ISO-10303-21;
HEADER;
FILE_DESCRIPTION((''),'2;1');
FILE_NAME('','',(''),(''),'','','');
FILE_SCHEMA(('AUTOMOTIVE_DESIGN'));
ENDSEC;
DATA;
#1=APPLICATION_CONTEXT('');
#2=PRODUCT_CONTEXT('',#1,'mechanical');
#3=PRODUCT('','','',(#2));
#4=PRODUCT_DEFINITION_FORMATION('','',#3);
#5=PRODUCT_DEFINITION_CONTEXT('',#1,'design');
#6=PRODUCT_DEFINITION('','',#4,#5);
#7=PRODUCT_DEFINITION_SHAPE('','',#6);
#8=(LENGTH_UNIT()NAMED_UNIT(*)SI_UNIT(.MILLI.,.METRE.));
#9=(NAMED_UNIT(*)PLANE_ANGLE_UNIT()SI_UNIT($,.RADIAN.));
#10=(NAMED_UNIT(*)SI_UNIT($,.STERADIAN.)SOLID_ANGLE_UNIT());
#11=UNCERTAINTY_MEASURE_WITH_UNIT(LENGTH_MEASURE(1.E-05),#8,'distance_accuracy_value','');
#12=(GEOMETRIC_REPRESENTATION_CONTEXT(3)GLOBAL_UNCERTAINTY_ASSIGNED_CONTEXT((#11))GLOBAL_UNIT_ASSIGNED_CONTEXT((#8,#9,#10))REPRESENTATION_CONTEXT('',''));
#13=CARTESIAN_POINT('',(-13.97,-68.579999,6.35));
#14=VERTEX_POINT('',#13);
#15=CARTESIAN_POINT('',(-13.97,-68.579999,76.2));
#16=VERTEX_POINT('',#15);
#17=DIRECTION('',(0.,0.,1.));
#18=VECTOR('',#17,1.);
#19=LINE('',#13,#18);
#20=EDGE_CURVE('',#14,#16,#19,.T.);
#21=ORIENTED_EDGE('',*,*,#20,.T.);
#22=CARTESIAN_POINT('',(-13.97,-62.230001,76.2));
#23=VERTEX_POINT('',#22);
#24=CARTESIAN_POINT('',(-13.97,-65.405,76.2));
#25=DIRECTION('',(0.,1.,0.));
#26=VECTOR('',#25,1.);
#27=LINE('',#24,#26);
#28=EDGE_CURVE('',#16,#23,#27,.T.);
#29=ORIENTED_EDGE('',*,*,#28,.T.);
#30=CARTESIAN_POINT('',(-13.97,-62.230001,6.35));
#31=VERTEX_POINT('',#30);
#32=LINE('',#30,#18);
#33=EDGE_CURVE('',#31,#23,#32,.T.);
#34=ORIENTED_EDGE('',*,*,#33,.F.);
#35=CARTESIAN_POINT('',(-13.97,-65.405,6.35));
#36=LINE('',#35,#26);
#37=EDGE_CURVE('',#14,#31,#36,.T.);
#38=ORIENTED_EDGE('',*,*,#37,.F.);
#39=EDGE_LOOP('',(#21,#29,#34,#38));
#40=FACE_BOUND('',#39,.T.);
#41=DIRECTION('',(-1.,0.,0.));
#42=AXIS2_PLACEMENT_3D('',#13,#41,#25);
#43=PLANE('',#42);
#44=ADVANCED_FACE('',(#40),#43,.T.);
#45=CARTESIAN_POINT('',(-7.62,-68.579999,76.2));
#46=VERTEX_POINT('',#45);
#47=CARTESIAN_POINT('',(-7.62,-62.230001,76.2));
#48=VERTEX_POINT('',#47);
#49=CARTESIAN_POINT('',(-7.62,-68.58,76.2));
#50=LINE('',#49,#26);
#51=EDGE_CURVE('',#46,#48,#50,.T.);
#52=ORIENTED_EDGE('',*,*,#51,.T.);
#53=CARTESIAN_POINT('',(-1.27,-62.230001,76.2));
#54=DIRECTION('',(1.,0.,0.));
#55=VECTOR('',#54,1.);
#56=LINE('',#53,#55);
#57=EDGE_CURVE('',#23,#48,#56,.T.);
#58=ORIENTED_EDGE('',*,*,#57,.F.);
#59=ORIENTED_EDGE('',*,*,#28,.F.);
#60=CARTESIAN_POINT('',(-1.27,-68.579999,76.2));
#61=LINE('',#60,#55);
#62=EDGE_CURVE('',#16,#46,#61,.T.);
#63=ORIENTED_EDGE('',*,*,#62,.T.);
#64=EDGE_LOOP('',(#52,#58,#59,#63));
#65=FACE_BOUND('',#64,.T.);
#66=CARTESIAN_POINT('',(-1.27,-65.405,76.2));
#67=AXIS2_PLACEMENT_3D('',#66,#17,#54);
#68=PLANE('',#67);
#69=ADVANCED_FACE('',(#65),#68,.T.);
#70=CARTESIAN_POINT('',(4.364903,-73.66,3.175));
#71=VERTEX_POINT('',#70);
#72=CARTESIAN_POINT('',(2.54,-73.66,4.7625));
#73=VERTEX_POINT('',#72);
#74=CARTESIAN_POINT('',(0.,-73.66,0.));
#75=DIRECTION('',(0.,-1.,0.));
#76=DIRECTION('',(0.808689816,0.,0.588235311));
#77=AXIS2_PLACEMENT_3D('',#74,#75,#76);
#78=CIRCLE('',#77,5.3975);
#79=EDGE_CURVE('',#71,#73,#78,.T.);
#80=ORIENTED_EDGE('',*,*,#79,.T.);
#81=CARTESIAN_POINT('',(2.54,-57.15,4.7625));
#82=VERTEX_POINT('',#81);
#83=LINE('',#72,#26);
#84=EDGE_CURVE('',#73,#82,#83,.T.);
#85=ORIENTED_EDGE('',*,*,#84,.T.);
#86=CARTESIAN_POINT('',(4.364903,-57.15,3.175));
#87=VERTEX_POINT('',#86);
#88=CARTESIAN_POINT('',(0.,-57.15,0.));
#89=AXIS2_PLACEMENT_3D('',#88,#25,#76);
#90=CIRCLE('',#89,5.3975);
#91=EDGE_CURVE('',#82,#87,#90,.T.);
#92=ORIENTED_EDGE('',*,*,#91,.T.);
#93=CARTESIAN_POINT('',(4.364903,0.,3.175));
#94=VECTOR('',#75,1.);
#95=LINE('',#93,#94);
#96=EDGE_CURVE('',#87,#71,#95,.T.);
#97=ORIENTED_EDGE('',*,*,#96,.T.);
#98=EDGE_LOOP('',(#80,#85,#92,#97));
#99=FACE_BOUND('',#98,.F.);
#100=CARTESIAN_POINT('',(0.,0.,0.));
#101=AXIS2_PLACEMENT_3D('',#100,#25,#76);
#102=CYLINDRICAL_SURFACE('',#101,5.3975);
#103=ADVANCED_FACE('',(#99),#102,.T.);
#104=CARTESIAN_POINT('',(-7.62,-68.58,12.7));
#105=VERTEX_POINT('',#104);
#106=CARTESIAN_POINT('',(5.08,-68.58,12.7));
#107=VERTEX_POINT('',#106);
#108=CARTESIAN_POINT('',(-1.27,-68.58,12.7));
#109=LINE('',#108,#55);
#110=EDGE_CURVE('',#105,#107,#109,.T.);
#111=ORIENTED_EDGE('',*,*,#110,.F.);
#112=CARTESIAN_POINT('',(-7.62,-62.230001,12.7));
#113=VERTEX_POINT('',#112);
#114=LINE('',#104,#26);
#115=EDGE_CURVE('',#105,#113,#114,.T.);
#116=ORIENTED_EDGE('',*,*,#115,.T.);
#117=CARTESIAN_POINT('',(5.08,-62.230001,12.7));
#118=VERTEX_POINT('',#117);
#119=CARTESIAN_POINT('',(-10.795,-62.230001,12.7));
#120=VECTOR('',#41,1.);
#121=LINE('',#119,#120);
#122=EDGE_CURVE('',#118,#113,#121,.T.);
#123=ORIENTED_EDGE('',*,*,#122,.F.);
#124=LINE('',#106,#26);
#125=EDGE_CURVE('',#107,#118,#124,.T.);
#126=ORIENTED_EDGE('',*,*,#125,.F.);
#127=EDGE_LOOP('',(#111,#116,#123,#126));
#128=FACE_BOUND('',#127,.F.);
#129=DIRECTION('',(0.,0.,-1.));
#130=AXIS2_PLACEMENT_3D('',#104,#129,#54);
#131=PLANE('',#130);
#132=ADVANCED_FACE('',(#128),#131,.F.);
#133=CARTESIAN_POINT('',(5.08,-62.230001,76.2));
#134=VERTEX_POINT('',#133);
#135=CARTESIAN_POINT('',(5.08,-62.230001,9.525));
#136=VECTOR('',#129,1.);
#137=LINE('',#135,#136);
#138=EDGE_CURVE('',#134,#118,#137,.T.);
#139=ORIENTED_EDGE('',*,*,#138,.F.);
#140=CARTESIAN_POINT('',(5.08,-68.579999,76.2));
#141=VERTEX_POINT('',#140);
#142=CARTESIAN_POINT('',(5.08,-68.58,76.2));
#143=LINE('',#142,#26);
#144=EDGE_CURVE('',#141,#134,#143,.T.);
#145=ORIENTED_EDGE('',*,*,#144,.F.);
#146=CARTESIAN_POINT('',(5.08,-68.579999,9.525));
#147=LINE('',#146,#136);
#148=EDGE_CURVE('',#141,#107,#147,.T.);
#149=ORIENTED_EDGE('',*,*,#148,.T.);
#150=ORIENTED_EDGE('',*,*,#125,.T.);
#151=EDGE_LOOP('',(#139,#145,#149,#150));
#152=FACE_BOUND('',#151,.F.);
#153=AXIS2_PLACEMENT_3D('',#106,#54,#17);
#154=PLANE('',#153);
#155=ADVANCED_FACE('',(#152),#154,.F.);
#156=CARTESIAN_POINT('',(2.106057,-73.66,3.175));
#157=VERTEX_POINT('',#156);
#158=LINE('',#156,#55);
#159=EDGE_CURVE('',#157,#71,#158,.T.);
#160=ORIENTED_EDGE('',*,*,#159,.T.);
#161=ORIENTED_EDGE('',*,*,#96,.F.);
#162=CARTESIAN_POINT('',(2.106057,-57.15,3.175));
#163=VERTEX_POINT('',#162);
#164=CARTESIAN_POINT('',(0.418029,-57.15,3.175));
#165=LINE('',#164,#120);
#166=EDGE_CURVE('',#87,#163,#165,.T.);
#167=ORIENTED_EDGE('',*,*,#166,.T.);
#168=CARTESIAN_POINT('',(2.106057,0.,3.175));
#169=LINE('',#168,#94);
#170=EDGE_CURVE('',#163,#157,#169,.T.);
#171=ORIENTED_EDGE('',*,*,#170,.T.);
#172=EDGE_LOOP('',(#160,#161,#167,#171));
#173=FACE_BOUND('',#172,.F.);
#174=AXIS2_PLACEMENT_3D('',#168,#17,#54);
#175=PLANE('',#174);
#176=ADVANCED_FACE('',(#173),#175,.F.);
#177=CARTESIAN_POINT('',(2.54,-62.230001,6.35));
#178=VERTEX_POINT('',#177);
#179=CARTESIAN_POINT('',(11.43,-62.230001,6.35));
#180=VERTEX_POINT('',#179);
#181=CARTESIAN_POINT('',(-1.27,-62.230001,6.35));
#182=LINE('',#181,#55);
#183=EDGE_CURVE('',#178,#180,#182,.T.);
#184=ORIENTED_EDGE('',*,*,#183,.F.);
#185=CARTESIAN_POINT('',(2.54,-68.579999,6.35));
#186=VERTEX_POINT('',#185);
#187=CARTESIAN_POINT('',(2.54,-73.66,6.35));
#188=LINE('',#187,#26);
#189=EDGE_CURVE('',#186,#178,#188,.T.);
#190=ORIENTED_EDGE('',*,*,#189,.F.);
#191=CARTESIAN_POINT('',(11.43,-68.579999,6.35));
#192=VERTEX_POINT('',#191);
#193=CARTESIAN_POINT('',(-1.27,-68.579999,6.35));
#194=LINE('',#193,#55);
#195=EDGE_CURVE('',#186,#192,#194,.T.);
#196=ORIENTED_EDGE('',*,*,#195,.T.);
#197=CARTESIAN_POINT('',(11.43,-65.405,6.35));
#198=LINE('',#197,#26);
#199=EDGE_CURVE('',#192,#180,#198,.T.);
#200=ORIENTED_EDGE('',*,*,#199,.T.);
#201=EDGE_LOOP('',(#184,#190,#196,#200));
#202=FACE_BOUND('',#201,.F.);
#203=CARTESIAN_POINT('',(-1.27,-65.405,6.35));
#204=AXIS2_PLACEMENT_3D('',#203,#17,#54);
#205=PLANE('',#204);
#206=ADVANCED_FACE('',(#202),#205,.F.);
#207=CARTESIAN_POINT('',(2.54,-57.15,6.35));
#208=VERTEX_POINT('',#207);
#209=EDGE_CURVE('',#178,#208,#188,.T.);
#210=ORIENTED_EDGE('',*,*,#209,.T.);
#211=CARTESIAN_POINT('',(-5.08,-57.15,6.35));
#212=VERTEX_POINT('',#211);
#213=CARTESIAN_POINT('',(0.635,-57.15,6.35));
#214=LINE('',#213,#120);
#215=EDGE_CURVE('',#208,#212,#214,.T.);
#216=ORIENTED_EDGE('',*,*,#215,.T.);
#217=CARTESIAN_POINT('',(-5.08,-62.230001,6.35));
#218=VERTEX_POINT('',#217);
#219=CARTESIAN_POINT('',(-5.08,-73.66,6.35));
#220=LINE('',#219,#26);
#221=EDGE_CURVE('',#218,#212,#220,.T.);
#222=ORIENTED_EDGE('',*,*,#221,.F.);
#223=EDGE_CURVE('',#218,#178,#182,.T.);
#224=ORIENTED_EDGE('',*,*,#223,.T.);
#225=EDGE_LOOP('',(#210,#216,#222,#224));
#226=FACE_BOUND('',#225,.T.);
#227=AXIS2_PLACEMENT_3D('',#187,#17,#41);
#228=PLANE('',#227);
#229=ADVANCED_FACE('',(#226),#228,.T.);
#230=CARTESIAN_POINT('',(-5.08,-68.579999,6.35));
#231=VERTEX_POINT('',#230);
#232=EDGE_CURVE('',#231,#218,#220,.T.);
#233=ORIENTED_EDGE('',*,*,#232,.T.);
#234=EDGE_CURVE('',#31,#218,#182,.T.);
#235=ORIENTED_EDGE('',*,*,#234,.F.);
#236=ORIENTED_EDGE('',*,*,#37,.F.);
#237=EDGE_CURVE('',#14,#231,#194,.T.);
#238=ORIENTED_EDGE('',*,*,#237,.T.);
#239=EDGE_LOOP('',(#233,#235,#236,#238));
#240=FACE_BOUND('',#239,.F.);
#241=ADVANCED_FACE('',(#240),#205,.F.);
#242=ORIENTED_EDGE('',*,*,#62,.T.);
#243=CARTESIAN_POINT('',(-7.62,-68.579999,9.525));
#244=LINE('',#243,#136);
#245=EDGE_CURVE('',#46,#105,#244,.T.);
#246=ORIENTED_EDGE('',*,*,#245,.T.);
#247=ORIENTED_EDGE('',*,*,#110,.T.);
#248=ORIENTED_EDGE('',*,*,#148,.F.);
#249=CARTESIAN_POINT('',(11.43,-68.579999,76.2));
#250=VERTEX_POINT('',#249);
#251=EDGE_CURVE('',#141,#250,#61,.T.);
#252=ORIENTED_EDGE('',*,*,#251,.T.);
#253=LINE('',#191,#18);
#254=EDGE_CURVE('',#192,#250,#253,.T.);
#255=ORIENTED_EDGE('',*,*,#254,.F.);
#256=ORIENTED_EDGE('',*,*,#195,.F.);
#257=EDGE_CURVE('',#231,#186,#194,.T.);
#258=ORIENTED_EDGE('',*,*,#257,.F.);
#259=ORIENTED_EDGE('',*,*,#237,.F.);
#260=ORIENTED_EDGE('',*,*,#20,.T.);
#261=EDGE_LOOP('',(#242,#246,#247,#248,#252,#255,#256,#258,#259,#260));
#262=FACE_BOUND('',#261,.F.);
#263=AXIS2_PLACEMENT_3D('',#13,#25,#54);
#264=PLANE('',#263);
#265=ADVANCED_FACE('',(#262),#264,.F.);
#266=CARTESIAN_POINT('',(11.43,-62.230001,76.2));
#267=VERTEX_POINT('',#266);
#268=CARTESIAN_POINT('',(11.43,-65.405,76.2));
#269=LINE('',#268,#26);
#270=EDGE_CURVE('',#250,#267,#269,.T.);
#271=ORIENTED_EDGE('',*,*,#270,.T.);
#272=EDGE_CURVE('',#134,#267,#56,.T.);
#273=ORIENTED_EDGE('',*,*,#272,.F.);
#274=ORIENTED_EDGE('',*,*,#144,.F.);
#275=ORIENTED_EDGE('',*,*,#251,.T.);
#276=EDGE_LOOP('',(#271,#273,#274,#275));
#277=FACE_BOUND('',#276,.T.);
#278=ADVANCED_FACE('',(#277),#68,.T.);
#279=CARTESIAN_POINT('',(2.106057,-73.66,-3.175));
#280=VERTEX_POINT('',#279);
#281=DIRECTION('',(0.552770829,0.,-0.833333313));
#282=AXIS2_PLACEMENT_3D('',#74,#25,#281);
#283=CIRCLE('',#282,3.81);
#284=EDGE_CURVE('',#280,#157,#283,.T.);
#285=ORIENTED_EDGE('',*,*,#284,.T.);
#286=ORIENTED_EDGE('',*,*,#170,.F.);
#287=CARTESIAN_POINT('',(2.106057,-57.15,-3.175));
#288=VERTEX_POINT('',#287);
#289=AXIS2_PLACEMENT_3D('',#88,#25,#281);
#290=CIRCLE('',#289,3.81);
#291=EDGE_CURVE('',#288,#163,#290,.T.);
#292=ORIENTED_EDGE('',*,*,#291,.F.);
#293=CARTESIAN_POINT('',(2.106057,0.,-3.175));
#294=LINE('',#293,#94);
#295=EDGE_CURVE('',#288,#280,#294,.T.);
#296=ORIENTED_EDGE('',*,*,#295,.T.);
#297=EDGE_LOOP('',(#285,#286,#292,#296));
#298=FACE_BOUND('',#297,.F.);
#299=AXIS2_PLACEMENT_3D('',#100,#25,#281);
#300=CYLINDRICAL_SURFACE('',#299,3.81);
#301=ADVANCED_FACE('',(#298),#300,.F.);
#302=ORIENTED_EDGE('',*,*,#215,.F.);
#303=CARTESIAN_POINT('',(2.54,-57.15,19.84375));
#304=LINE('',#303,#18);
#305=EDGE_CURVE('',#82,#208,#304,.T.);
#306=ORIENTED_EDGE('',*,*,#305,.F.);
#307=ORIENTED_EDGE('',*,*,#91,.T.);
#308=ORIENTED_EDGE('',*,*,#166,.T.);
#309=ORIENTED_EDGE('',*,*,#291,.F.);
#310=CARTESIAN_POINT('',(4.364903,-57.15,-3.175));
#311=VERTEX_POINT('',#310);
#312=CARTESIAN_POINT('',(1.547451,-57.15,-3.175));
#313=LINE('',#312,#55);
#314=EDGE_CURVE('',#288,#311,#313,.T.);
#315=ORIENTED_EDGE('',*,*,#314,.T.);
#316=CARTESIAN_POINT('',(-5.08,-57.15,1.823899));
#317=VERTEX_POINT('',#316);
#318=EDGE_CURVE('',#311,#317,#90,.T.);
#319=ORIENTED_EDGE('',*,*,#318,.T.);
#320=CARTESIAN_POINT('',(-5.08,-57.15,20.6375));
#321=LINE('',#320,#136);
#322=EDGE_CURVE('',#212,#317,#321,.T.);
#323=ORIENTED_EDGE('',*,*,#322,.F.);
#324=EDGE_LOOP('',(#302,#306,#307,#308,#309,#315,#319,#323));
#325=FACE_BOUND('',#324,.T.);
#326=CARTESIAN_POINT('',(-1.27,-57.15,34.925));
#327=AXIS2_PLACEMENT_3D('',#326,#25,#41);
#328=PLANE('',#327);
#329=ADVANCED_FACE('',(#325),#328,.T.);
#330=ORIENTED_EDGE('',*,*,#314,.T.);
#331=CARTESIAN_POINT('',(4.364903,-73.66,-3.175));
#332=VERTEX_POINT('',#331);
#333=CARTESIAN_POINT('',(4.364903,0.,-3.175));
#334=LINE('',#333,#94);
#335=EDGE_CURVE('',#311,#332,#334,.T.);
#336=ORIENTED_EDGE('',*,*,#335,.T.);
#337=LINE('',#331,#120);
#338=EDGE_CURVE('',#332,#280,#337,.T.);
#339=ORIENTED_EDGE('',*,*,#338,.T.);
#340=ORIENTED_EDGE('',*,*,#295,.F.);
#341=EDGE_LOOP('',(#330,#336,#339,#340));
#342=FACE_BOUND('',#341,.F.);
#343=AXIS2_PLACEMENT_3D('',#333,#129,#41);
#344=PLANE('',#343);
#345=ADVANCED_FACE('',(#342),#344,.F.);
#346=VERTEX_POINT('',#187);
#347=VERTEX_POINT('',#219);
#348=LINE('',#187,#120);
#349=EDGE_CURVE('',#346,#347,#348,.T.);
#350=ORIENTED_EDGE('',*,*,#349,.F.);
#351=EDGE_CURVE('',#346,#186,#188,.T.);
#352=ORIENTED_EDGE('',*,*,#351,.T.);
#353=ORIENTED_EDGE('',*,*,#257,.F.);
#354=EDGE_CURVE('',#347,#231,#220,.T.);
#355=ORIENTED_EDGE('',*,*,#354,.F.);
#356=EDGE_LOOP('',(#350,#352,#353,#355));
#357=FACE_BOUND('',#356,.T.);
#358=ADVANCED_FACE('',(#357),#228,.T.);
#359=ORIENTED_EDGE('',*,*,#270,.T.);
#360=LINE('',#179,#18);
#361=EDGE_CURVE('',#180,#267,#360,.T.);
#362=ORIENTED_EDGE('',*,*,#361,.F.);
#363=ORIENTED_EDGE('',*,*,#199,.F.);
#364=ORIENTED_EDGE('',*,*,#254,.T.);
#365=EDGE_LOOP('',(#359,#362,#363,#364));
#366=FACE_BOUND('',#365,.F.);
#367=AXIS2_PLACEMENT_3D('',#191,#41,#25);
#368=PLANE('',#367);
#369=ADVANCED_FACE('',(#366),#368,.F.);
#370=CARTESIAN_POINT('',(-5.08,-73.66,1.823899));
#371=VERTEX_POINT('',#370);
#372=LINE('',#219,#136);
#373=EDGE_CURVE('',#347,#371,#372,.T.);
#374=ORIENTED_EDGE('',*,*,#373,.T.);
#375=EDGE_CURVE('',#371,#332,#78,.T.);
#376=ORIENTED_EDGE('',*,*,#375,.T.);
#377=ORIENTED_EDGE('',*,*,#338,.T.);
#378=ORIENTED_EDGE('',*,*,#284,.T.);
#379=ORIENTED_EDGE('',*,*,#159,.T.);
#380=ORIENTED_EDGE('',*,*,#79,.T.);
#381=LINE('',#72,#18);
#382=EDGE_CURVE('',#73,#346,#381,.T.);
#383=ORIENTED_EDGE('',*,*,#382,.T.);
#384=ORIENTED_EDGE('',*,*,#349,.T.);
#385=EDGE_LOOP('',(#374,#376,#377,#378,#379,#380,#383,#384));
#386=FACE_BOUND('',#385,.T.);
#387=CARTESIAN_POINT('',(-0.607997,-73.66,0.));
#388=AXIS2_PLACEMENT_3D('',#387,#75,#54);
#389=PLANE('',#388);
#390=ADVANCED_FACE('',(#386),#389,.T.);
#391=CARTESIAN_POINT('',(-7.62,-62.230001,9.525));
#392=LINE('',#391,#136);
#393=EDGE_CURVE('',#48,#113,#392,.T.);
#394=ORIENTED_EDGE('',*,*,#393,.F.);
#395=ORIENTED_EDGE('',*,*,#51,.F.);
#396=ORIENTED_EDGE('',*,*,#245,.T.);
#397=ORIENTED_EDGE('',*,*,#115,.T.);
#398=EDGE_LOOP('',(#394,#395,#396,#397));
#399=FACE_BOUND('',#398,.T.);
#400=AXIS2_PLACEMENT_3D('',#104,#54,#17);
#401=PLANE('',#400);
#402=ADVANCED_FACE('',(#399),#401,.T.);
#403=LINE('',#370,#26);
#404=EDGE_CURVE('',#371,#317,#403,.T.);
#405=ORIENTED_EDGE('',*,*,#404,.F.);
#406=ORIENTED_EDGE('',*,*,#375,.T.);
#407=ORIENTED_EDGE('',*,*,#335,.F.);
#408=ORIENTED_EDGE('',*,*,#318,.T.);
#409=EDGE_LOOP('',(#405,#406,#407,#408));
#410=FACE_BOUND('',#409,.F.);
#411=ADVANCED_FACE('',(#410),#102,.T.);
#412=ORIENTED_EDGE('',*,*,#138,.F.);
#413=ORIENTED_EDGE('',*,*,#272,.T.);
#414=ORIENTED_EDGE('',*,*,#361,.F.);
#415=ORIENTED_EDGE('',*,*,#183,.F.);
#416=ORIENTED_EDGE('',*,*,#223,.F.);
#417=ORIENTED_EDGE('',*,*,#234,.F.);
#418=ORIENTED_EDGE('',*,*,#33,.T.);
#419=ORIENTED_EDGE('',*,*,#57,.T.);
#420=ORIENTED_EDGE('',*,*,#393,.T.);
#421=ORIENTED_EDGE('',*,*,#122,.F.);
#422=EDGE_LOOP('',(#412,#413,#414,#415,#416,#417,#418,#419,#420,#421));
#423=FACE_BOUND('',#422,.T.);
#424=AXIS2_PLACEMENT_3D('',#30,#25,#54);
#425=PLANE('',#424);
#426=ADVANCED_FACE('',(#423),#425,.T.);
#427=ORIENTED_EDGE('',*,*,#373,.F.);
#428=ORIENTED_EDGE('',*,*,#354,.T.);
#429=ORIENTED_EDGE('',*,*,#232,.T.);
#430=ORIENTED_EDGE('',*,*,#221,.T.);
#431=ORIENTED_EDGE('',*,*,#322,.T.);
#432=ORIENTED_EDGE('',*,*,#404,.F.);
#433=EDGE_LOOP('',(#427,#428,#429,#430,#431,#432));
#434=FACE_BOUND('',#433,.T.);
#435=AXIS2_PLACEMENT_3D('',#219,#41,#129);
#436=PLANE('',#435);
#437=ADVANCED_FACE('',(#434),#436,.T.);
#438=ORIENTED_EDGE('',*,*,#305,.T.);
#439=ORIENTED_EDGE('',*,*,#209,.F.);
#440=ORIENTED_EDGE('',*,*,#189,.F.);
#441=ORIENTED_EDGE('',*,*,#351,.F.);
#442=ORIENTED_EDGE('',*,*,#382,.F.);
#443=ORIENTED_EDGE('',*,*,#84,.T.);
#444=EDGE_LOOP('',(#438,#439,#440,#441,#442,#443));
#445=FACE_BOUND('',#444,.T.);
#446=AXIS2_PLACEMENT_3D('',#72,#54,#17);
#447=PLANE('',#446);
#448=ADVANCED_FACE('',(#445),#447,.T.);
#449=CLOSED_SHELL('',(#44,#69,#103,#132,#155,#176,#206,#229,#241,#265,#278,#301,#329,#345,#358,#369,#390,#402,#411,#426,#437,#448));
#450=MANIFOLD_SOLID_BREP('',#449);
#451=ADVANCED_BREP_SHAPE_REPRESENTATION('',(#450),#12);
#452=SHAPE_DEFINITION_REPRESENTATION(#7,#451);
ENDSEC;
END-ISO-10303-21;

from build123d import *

# Parameters (mm, degrees)
F1_DEPTH = 73.66
F3_DEPTH = 73.66
F4_W     = 25.4
F4_H     = 6.349999
F4_H_2   = 6.35
F5_DEPTH = 69.85
F6_W     = 12.7
F6_H     = 63.5
F7_DEPTH = 63.5
F8_W     = 25.4
F8_H     = 82.55
F9_DEPTH = 57.15


with BuildPart() as f1:
    # F0 (on Front) → F1 (new body)
    with BuildSketch(Plane.XZ):
        with BuildLine():
            ThreePointArc((2.106057, -3.175), (-3.81, 0), (2.106057, 3.175))
            Line((2.106057, 3.175), (4.364903, 3.175))
            ThreePointArc((4.364903, 3.175), (-5.3975, 0), (4.364903, -3.175))
            Line((4.364903, -3.175), (2.106057, -3.175))
        make_face()
    extrude(amount=F1_DEPTH)

    # F2 (on face) → F3 (join, through all)
    with BuildSketch(Plane.XZ.offset(73.66)):
        with BuildLine():
            Line((-5.08, 6.35), (-5.08, 1.823899))
            ThreePointArc((-5.08, 1.823899), (-1.942098, 5.035997), (2.54, 4.7625))
            Line((2.54, 4.7625), (2.54, 6.35))
            Line((2.54, 6.35), (-5.08, 6.35))
        make_face()
    extrude(amount=-F3_DEPTH)

    # F4 (on face) → F5 (join)
    with BuildSketch(Plane.XY.offset(6.35)):
        with Locations((-1.27, -65.405)):
            Rectangle(F4_W, F4_H)
        with Locations((-1.27, -8.255)):
            Rectangle(F4_W, F4_H_2)
    extrude(amount=F5_DEPTH)

    # F6 (on face) → F7 (cut, through all)
    with BuildSketch(Plane.XZ.offset(68.58)):
        with Locations((-1.27, 44.45)):
            Rectangle(F6_W, F6_H)
    extrude(amount=-F7_DEPTH, mode=Mode.SUBTRACT)

    # F8 (on face) → F9 (cut)
    with BuildSketch(Plane(origin=(0, 0, 0), x_dir=(-1, 0, 0), z_dir=(0, 1, 0))):
        with Locations((1.27, 34.925)):
            Rectangle(F8_W, F8_H)
    extrude(amount=-F9_DEPTH, mode=Mode.SUBTRACT)


solid = f1.part
